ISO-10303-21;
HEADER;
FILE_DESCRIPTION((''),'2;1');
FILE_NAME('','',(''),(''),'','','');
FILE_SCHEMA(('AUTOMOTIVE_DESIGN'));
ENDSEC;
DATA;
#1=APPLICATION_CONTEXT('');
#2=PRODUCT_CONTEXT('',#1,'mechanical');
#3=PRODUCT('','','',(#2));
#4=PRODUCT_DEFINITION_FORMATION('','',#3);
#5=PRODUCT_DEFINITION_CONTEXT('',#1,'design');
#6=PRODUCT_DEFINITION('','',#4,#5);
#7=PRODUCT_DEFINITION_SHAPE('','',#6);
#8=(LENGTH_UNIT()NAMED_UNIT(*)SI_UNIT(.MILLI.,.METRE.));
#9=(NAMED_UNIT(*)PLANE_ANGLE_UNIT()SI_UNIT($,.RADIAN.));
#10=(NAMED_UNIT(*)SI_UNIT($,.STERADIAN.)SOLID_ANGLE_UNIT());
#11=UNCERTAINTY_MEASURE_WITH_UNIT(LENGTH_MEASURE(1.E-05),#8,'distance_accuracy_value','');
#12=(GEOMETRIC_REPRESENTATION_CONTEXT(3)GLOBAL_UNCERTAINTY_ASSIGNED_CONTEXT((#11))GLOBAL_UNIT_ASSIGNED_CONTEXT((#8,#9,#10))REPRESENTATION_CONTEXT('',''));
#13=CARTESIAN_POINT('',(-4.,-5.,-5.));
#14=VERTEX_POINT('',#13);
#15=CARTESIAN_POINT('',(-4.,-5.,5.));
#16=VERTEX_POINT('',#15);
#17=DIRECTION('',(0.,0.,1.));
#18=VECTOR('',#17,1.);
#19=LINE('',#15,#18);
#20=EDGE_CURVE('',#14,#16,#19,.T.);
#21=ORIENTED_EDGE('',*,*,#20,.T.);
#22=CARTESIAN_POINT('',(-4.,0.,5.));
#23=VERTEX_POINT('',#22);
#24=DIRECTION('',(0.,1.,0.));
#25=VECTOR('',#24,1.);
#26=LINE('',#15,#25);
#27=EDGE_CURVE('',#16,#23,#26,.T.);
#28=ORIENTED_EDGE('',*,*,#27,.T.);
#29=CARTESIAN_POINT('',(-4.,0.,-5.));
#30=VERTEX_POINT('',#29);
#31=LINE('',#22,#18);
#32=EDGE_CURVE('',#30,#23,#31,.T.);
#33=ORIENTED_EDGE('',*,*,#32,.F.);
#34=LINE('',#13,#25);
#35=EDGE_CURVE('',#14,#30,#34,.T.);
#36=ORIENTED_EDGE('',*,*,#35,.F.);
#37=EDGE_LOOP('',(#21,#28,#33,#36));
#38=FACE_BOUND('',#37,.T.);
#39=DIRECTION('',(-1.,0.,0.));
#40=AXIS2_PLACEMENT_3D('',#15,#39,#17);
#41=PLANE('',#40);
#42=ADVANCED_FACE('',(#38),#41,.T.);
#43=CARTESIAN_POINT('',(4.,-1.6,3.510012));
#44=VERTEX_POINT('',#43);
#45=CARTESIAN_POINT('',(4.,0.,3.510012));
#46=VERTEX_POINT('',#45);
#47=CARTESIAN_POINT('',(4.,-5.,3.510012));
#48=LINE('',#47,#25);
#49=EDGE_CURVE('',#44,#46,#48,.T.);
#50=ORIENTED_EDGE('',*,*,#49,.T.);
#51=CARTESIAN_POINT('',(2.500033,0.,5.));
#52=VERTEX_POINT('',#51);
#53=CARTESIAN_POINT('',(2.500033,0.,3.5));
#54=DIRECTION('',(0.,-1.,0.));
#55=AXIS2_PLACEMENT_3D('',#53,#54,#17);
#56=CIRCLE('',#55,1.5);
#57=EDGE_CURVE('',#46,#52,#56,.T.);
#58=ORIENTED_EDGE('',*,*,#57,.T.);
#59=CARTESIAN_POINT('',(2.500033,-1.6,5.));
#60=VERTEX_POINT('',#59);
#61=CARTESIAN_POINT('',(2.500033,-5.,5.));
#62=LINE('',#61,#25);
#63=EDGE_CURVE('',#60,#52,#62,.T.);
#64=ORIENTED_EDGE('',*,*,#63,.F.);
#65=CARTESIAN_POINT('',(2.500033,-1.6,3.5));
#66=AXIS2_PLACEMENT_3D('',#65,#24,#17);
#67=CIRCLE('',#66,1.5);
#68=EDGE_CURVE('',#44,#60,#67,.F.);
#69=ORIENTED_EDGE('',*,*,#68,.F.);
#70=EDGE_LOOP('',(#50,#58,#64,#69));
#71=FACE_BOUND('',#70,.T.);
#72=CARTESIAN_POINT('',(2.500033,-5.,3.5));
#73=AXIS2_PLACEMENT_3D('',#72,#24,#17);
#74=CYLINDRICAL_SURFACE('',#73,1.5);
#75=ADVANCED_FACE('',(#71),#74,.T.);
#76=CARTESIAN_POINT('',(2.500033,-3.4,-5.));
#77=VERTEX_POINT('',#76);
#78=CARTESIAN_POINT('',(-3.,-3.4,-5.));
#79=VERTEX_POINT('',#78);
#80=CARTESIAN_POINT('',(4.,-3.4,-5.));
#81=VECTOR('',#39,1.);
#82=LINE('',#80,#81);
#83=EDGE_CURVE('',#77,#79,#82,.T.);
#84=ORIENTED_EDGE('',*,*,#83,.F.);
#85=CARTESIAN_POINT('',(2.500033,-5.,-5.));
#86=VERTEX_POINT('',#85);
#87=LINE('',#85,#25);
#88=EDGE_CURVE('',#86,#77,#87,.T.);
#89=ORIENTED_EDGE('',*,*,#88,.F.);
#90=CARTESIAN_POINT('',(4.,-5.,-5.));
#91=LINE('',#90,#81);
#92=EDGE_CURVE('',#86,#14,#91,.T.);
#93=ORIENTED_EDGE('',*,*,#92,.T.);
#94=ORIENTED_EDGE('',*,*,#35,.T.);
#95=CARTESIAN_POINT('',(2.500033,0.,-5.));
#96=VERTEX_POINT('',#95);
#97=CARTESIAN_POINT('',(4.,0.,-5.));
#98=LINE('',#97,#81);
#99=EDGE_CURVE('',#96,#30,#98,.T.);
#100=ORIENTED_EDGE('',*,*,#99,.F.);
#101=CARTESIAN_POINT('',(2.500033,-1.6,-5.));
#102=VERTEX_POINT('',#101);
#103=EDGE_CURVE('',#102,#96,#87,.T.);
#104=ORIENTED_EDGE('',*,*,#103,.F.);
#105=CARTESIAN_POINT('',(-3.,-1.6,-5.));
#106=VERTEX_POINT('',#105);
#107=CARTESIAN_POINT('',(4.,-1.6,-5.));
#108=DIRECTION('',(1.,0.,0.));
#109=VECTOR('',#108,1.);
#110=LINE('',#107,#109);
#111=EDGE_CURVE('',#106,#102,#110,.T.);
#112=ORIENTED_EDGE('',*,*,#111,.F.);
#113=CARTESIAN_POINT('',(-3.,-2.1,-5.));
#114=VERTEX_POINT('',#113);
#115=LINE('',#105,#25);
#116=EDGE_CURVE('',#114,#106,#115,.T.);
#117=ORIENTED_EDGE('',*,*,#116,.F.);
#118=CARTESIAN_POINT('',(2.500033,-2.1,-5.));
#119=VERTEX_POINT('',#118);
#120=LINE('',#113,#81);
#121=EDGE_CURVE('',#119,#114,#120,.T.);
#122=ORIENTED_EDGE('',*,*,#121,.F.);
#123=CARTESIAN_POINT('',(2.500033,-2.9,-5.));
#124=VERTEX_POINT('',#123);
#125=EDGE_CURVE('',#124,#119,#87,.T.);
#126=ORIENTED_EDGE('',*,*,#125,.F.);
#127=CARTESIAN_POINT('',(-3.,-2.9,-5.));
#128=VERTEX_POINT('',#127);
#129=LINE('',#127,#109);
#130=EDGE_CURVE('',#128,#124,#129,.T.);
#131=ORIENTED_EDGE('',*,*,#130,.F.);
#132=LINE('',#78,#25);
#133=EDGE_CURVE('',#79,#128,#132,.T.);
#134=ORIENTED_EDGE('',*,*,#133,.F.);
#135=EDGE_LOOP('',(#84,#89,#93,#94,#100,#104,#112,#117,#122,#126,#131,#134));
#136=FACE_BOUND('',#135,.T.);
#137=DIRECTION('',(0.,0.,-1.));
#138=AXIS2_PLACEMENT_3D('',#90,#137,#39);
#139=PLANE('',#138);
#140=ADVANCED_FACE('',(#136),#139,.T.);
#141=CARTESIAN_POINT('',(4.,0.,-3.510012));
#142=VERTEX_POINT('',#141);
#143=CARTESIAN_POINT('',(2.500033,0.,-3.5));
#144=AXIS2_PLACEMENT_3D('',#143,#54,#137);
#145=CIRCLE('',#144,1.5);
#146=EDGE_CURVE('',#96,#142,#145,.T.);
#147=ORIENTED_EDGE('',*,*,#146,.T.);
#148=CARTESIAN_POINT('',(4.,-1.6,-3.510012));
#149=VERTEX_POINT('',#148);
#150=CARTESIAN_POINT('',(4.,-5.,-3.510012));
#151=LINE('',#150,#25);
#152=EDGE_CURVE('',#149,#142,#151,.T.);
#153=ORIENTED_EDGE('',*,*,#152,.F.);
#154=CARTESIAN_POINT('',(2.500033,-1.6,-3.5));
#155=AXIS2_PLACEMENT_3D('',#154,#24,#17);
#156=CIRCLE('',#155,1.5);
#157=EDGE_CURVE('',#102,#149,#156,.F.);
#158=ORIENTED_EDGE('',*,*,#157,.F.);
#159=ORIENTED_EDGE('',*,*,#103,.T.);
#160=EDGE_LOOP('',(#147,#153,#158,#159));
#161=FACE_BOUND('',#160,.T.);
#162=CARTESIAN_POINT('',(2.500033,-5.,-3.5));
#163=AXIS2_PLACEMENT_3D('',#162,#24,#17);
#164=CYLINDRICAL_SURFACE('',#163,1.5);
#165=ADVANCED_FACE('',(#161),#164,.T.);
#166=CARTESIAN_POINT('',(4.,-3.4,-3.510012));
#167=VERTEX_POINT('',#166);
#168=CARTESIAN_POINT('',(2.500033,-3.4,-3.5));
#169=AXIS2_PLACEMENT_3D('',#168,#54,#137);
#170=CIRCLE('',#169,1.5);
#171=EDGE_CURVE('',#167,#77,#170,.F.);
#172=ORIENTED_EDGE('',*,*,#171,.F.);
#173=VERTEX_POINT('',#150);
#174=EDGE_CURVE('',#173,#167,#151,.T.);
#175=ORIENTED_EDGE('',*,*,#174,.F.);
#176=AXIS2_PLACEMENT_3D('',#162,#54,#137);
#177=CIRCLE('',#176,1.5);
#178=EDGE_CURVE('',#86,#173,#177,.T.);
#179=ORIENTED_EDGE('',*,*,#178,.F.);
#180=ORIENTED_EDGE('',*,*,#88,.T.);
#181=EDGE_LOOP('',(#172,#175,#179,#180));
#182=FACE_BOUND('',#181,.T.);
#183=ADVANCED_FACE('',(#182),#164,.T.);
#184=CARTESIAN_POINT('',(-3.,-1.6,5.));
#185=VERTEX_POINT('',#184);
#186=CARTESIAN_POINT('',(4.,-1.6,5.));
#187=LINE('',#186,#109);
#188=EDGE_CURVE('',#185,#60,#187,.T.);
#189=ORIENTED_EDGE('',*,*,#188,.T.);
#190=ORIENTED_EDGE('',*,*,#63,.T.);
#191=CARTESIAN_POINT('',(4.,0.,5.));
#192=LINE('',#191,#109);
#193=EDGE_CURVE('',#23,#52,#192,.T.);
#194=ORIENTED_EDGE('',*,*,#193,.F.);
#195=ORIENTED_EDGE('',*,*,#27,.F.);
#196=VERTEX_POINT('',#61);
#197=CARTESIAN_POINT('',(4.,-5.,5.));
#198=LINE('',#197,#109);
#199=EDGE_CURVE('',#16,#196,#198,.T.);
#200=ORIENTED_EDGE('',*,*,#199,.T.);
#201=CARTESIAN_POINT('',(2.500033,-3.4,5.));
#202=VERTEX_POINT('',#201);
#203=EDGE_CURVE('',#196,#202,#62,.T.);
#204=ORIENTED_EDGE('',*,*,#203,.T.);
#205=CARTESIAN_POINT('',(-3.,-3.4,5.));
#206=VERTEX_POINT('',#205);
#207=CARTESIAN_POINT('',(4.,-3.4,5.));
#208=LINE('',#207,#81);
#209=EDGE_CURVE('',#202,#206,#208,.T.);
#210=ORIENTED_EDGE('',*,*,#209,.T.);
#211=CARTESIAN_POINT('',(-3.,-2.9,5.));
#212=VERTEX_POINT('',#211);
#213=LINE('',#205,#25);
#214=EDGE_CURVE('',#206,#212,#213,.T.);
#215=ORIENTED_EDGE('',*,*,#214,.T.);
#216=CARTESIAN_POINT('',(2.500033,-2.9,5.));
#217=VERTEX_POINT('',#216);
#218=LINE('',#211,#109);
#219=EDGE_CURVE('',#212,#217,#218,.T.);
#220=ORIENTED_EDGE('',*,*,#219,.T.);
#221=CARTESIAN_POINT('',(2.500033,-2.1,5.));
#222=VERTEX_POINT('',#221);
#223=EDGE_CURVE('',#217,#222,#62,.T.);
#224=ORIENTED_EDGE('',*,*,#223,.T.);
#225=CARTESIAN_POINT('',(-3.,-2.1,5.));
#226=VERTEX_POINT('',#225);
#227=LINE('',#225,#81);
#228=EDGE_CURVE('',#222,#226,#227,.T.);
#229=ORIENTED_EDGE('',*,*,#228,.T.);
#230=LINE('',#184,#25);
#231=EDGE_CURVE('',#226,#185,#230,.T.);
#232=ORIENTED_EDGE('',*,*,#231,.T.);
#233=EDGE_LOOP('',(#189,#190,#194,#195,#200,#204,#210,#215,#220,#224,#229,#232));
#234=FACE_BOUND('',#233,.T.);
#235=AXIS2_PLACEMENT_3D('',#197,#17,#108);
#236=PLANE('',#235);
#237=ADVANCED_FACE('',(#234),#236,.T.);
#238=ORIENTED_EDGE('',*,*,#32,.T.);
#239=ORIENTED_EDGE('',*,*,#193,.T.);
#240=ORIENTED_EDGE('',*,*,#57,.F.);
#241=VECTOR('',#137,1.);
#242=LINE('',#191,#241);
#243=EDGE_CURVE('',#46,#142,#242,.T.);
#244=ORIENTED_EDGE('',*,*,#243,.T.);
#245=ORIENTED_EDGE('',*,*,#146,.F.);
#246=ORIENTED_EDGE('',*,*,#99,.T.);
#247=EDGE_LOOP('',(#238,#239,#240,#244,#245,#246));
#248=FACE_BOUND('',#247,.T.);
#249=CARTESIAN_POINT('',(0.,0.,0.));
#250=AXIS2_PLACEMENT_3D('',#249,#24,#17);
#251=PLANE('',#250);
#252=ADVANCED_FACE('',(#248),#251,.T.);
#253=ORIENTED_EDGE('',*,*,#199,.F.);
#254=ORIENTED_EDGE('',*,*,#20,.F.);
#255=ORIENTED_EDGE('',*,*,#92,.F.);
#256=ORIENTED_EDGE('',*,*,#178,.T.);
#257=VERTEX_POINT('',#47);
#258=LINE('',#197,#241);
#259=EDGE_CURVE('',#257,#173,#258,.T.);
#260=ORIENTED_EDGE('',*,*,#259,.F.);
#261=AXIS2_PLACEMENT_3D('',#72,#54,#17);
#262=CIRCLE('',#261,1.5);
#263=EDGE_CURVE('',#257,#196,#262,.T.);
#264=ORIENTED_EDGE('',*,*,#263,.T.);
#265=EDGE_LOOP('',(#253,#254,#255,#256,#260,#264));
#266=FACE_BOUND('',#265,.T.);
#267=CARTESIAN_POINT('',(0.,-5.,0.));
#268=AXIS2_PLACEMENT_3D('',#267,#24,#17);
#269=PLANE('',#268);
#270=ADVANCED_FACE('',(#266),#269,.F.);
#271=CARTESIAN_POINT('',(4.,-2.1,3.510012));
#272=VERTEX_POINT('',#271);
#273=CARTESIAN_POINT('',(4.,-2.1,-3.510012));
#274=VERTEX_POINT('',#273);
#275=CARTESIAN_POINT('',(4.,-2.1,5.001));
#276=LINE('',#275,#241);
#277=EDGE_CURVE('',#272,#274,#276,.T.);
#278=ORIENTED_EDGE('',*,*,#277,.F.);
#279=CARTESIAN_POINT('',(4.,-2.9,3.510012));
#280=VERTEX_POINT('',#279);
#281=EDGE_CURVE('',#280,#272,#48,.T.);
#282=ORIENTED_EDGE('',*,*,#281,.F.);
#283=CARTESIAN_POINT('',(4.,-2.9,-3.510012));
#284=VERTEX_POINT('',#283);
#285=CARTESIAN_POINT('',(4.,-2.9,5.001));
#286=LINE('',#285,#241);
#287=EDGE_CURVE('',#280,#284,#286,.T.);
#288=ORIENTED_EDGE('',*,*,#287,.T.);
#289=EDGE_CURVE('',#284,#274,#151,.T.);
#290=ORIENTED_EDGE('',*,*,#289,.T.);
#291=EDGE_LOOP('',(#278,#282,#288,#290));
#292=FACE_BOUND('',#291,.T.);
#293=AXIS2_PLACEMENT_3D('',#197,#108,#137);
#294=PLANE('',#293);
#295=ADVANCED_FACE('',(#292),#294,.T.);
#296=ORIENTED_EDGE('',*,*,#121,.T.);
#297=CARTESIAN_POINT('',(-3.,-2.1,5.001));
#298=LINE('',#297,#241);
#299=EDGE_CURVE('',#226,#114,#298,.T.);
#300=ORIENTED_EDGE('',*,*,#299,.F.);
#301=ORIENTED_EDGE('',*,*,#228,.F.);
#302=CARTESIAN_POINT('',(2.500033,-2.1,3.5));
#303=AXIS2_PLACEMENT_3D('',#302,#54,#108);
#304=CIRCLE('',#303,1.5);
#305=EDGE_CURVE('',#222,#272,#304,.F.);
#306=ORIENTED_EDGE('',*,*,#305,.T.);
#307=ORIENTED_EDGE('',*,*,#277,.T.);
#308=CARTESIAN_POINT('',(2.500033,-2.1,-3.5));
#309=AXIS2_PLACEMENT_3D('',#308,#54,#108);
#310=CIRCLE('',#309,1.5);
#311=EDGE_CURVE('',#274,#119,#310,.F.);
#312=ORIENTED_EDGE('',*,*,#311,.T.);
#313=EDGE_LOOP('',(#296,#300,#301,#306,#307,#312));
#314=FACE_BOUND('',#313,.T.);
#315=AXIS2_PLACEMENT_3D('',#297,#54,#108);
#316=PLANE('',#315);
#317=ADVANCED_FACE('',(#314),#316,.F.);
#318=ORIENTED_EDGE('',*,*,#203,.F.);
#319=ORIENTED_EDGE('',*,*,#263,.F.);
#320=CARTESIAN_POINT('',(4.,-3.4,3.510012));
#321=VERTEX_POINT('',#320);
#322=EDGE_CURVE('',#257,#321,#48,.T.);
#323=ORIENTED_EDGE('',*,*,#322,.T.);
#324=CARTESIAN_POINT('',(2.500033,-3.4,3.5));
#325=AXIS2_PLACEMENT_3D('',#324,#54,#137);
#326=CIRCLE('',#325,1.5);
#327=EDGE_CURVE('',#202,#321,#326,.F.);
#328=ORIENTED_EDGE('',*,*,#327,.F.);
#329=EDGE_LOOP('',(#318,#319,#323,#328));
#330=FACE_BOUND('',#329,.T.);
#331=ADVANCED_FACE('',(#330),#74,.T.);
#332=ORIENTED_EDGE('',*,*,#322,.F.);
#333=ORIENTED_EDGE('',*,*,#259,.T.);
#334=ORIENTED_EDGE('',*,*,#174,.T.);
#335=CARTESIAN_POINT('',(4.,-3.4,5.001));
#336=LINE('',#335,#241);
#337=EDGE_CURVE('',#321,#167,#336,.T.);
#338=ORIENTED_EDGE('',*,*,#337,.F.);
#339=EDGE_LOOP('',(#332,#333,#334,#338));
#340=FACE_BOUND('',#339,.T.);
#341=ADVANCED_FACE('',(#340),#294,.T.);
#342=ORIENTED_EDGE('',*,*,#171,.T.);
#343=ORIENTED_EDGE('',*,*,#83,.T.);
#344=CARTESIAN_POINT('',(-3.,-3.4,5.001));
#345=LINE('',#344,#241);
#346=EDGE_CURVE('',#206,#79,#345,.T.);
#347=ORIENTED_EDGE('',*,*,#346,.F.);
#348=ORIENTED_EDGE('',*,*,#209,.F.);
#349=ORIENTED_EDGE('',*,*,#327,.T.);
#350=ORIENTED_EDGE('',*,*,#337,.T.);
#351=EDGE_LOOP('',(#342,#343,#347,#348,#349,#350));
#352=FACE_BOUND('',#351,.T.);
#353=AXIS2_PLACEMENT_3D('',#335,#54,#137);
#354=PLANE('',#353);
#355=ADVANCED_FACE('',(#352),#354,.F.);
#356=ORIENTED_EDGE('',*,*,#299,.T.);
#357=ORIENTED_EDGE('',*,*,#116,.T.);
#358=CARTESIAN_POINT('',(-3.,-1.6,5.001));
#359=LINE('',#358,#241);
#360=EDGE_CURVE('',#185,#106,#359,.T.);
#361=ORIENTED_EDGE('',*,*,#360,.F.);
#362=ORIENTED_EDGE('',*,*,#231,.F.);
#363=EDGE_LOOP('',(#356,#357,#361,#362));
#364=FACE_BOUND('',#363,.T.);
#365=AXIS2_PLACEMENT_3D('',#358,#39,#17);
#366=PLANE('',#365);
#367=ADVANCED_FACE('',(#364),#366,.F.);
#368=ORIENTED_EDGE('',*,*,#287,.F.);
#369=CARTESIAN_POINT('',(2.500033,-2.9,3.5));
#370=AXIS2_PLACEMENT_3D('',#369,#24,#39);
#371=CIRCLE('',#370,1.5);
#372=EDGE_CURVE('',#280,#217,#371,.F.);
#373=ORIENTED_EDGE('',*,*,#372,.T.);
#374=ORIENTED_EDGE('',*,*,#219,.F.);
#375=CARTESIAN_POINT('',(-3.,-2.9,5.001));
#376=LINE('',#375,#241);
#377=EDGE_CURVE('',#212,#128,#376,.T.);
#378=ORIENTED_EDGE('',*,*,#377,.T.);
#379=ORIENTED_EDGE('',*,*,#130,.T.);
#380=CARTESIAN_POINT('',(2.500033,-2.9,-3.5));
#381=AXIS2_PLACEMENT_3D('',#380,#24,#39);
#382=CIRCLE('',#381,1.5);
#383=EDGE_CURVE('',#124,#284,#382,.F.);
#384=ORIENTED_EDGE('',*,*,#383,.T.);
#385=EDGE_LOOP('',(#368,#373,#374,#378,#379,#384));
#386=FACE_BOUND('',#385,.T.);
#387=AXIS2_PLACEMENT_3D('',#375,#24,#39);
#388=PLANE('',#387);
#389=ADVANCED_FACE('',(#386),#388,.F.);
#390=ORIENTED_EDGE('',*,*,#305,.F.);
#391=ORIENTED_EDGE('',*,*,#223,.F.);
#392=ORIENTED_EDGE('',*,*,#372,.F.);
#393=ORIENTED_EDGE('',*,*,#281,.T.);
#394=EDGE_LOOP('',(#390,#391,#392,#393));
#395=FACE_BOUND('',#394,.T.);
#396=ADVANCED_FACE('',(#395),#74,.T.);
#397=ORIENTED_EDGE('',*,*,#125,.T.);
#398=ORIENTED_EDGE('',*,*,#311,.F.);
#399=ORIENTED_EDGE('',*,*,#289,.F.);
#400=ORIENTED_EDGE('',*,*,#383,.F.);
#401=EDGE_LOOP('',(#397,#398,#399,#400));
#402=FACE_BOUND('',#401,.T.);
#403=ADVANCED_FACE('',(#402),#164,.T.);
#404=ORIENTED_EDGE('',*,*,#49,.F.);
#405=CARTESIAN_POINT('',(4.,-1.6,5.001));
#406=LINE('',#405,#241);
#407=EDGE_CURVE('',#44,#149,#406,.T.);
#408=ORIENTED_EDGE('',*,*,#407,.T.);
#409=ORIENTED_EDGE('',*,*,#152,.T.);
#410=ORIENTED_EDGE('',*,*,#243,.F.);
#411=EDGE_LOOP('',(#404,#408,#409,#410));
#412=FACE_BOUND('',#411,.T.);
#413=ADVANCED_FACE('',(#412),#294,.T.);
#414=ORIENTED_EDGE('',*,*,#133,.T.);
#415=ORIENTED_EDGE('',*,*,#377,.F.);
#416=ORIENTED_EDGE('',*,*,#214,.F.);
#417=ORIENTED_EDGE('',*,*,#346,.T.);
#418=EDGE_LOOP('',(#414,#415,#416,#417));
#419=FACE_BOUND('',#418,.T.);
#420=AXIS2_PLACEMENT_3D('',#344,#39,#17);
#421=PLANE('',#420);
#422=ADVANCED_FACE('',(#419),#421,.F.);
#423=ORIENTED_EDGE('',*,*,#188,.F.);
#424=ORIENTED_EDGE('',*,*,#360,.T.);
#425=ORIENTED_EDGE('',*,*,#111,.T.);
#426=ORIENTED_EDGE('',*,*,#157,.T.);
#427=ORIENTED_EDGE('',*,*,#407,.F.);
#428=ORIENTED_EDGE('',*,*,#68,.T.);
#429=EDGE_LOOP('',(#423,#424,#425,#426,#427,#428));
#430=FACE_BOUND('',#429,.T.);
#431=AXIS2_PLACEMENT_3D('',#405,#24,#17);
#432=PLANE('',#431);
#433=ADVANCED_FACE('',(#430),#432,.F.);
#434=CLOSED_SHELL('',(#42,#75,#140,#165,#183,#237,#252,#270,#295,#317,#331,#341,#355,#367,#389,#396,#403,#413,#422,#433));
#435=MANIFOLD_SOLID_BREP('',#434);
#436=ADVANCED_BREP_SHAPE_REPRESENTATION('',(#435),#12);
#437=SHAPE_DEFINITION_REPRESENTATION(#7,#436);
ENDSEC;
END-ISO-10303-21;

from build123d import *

# Parameters (mm, degrees)
SKETCH1_W           = 8
SKETCH1_H           = 10
BOSS_EXTRUDE1_DEPTH = 5
CUT_EXTRUDE1_REACH  = 12
SKETCH2_W           = 7
SKETCH2_H           = 0.5
CUT_EXTRUDE3_DEPTH  = 5


with BuildPart() as part:
    # Sketch1 → Boss-Extrude1 (new body)
    with BuildSketch(Plane(origin=(0, 0, 0), x_dir=(1, 0, 0), z_dir=(0, 1, 0))):
        Rectangle(SKETCH1_W, SKETCH1_H)
    extrude(amount=-BOSS_EXTRUDE1_DEPTH)

    # Sketch2 → Cut-Extrude1 (cut, up to next)
    with BuildSketch(Plane(origin=(0, 0, -5), x_dir=(-1, 0, 0), z_dir=(0, 0, -1)), mode=Mode.PRIVATE) as cut_extrude1_sk1:
        with Locations((-0.5, -1.85)):
            Rectangle(SKETCH2_W, SKETCH2_H)
    cut_extrude1_tool1 = extrude(cut_extrude1_sk1.sketch, amount=-CUT_EXTRUDE1_REACH, mode=Mode.PRIVATE) & part.part
    add(cut_extrude1_tool1.solids().sort_by_distance((0.5, -1.85, -5))[0], mode=Mode.SUBTRACT)
    # Sketch2 → Cut-Extrude1 (cut, up to next)
    with BuildSketch(Plane(origin=(0, 0, -5), x_dir=(-1, 0, 0), z_dir=(0, 0, -1)), mode=Mode.PRIVATE) as cut_extrude1_sk2:
        with Locations((-0.5, -3.15)):
            Rectangle(SKETCH2_W, SKETCH2_H)
    cut_extrude1_tool2 = extrude(cut_extrude1_sk2.sketch, amount=-CUT_EXTRUDE1_REACH, mode=Mode.PRIVATE) & part.part
    add(cut_extrude1_tool2.solids().sort_by_distance((0.5, -3.15, -5))[0], mode=Mode.SUBTRACT)

    # Sketch3 → Cut-Extrude3 (cut)
    with BuildSketch(Plane(origin=(0, 0, 0), x_dir=(1, 0, 0), z_dir=(0, 1, 0))):
        with BuildLine():
            Line((2.500033416, 5), (4, 5))
            Line((4, 5), (4, 3.510012302))
            ThreePointArc((4, 3.510012302), (3.557147777, 4.564194168), (2.500033416, 5))
        make_face()
        with BuildLine():
            Line((4, -3.510012302), (4, -5))
            Line((4, -5), (2.500033416, -5))
            ThreePointArc((2.500033416, -5), (3.557147777, -4.564194168), (4, -3.510012302))
        make_face()
    extrude(amount=-CUT_EXTRUDE3_DEPTH, mode=Mode.SUBTRACT)


solid = part.part
